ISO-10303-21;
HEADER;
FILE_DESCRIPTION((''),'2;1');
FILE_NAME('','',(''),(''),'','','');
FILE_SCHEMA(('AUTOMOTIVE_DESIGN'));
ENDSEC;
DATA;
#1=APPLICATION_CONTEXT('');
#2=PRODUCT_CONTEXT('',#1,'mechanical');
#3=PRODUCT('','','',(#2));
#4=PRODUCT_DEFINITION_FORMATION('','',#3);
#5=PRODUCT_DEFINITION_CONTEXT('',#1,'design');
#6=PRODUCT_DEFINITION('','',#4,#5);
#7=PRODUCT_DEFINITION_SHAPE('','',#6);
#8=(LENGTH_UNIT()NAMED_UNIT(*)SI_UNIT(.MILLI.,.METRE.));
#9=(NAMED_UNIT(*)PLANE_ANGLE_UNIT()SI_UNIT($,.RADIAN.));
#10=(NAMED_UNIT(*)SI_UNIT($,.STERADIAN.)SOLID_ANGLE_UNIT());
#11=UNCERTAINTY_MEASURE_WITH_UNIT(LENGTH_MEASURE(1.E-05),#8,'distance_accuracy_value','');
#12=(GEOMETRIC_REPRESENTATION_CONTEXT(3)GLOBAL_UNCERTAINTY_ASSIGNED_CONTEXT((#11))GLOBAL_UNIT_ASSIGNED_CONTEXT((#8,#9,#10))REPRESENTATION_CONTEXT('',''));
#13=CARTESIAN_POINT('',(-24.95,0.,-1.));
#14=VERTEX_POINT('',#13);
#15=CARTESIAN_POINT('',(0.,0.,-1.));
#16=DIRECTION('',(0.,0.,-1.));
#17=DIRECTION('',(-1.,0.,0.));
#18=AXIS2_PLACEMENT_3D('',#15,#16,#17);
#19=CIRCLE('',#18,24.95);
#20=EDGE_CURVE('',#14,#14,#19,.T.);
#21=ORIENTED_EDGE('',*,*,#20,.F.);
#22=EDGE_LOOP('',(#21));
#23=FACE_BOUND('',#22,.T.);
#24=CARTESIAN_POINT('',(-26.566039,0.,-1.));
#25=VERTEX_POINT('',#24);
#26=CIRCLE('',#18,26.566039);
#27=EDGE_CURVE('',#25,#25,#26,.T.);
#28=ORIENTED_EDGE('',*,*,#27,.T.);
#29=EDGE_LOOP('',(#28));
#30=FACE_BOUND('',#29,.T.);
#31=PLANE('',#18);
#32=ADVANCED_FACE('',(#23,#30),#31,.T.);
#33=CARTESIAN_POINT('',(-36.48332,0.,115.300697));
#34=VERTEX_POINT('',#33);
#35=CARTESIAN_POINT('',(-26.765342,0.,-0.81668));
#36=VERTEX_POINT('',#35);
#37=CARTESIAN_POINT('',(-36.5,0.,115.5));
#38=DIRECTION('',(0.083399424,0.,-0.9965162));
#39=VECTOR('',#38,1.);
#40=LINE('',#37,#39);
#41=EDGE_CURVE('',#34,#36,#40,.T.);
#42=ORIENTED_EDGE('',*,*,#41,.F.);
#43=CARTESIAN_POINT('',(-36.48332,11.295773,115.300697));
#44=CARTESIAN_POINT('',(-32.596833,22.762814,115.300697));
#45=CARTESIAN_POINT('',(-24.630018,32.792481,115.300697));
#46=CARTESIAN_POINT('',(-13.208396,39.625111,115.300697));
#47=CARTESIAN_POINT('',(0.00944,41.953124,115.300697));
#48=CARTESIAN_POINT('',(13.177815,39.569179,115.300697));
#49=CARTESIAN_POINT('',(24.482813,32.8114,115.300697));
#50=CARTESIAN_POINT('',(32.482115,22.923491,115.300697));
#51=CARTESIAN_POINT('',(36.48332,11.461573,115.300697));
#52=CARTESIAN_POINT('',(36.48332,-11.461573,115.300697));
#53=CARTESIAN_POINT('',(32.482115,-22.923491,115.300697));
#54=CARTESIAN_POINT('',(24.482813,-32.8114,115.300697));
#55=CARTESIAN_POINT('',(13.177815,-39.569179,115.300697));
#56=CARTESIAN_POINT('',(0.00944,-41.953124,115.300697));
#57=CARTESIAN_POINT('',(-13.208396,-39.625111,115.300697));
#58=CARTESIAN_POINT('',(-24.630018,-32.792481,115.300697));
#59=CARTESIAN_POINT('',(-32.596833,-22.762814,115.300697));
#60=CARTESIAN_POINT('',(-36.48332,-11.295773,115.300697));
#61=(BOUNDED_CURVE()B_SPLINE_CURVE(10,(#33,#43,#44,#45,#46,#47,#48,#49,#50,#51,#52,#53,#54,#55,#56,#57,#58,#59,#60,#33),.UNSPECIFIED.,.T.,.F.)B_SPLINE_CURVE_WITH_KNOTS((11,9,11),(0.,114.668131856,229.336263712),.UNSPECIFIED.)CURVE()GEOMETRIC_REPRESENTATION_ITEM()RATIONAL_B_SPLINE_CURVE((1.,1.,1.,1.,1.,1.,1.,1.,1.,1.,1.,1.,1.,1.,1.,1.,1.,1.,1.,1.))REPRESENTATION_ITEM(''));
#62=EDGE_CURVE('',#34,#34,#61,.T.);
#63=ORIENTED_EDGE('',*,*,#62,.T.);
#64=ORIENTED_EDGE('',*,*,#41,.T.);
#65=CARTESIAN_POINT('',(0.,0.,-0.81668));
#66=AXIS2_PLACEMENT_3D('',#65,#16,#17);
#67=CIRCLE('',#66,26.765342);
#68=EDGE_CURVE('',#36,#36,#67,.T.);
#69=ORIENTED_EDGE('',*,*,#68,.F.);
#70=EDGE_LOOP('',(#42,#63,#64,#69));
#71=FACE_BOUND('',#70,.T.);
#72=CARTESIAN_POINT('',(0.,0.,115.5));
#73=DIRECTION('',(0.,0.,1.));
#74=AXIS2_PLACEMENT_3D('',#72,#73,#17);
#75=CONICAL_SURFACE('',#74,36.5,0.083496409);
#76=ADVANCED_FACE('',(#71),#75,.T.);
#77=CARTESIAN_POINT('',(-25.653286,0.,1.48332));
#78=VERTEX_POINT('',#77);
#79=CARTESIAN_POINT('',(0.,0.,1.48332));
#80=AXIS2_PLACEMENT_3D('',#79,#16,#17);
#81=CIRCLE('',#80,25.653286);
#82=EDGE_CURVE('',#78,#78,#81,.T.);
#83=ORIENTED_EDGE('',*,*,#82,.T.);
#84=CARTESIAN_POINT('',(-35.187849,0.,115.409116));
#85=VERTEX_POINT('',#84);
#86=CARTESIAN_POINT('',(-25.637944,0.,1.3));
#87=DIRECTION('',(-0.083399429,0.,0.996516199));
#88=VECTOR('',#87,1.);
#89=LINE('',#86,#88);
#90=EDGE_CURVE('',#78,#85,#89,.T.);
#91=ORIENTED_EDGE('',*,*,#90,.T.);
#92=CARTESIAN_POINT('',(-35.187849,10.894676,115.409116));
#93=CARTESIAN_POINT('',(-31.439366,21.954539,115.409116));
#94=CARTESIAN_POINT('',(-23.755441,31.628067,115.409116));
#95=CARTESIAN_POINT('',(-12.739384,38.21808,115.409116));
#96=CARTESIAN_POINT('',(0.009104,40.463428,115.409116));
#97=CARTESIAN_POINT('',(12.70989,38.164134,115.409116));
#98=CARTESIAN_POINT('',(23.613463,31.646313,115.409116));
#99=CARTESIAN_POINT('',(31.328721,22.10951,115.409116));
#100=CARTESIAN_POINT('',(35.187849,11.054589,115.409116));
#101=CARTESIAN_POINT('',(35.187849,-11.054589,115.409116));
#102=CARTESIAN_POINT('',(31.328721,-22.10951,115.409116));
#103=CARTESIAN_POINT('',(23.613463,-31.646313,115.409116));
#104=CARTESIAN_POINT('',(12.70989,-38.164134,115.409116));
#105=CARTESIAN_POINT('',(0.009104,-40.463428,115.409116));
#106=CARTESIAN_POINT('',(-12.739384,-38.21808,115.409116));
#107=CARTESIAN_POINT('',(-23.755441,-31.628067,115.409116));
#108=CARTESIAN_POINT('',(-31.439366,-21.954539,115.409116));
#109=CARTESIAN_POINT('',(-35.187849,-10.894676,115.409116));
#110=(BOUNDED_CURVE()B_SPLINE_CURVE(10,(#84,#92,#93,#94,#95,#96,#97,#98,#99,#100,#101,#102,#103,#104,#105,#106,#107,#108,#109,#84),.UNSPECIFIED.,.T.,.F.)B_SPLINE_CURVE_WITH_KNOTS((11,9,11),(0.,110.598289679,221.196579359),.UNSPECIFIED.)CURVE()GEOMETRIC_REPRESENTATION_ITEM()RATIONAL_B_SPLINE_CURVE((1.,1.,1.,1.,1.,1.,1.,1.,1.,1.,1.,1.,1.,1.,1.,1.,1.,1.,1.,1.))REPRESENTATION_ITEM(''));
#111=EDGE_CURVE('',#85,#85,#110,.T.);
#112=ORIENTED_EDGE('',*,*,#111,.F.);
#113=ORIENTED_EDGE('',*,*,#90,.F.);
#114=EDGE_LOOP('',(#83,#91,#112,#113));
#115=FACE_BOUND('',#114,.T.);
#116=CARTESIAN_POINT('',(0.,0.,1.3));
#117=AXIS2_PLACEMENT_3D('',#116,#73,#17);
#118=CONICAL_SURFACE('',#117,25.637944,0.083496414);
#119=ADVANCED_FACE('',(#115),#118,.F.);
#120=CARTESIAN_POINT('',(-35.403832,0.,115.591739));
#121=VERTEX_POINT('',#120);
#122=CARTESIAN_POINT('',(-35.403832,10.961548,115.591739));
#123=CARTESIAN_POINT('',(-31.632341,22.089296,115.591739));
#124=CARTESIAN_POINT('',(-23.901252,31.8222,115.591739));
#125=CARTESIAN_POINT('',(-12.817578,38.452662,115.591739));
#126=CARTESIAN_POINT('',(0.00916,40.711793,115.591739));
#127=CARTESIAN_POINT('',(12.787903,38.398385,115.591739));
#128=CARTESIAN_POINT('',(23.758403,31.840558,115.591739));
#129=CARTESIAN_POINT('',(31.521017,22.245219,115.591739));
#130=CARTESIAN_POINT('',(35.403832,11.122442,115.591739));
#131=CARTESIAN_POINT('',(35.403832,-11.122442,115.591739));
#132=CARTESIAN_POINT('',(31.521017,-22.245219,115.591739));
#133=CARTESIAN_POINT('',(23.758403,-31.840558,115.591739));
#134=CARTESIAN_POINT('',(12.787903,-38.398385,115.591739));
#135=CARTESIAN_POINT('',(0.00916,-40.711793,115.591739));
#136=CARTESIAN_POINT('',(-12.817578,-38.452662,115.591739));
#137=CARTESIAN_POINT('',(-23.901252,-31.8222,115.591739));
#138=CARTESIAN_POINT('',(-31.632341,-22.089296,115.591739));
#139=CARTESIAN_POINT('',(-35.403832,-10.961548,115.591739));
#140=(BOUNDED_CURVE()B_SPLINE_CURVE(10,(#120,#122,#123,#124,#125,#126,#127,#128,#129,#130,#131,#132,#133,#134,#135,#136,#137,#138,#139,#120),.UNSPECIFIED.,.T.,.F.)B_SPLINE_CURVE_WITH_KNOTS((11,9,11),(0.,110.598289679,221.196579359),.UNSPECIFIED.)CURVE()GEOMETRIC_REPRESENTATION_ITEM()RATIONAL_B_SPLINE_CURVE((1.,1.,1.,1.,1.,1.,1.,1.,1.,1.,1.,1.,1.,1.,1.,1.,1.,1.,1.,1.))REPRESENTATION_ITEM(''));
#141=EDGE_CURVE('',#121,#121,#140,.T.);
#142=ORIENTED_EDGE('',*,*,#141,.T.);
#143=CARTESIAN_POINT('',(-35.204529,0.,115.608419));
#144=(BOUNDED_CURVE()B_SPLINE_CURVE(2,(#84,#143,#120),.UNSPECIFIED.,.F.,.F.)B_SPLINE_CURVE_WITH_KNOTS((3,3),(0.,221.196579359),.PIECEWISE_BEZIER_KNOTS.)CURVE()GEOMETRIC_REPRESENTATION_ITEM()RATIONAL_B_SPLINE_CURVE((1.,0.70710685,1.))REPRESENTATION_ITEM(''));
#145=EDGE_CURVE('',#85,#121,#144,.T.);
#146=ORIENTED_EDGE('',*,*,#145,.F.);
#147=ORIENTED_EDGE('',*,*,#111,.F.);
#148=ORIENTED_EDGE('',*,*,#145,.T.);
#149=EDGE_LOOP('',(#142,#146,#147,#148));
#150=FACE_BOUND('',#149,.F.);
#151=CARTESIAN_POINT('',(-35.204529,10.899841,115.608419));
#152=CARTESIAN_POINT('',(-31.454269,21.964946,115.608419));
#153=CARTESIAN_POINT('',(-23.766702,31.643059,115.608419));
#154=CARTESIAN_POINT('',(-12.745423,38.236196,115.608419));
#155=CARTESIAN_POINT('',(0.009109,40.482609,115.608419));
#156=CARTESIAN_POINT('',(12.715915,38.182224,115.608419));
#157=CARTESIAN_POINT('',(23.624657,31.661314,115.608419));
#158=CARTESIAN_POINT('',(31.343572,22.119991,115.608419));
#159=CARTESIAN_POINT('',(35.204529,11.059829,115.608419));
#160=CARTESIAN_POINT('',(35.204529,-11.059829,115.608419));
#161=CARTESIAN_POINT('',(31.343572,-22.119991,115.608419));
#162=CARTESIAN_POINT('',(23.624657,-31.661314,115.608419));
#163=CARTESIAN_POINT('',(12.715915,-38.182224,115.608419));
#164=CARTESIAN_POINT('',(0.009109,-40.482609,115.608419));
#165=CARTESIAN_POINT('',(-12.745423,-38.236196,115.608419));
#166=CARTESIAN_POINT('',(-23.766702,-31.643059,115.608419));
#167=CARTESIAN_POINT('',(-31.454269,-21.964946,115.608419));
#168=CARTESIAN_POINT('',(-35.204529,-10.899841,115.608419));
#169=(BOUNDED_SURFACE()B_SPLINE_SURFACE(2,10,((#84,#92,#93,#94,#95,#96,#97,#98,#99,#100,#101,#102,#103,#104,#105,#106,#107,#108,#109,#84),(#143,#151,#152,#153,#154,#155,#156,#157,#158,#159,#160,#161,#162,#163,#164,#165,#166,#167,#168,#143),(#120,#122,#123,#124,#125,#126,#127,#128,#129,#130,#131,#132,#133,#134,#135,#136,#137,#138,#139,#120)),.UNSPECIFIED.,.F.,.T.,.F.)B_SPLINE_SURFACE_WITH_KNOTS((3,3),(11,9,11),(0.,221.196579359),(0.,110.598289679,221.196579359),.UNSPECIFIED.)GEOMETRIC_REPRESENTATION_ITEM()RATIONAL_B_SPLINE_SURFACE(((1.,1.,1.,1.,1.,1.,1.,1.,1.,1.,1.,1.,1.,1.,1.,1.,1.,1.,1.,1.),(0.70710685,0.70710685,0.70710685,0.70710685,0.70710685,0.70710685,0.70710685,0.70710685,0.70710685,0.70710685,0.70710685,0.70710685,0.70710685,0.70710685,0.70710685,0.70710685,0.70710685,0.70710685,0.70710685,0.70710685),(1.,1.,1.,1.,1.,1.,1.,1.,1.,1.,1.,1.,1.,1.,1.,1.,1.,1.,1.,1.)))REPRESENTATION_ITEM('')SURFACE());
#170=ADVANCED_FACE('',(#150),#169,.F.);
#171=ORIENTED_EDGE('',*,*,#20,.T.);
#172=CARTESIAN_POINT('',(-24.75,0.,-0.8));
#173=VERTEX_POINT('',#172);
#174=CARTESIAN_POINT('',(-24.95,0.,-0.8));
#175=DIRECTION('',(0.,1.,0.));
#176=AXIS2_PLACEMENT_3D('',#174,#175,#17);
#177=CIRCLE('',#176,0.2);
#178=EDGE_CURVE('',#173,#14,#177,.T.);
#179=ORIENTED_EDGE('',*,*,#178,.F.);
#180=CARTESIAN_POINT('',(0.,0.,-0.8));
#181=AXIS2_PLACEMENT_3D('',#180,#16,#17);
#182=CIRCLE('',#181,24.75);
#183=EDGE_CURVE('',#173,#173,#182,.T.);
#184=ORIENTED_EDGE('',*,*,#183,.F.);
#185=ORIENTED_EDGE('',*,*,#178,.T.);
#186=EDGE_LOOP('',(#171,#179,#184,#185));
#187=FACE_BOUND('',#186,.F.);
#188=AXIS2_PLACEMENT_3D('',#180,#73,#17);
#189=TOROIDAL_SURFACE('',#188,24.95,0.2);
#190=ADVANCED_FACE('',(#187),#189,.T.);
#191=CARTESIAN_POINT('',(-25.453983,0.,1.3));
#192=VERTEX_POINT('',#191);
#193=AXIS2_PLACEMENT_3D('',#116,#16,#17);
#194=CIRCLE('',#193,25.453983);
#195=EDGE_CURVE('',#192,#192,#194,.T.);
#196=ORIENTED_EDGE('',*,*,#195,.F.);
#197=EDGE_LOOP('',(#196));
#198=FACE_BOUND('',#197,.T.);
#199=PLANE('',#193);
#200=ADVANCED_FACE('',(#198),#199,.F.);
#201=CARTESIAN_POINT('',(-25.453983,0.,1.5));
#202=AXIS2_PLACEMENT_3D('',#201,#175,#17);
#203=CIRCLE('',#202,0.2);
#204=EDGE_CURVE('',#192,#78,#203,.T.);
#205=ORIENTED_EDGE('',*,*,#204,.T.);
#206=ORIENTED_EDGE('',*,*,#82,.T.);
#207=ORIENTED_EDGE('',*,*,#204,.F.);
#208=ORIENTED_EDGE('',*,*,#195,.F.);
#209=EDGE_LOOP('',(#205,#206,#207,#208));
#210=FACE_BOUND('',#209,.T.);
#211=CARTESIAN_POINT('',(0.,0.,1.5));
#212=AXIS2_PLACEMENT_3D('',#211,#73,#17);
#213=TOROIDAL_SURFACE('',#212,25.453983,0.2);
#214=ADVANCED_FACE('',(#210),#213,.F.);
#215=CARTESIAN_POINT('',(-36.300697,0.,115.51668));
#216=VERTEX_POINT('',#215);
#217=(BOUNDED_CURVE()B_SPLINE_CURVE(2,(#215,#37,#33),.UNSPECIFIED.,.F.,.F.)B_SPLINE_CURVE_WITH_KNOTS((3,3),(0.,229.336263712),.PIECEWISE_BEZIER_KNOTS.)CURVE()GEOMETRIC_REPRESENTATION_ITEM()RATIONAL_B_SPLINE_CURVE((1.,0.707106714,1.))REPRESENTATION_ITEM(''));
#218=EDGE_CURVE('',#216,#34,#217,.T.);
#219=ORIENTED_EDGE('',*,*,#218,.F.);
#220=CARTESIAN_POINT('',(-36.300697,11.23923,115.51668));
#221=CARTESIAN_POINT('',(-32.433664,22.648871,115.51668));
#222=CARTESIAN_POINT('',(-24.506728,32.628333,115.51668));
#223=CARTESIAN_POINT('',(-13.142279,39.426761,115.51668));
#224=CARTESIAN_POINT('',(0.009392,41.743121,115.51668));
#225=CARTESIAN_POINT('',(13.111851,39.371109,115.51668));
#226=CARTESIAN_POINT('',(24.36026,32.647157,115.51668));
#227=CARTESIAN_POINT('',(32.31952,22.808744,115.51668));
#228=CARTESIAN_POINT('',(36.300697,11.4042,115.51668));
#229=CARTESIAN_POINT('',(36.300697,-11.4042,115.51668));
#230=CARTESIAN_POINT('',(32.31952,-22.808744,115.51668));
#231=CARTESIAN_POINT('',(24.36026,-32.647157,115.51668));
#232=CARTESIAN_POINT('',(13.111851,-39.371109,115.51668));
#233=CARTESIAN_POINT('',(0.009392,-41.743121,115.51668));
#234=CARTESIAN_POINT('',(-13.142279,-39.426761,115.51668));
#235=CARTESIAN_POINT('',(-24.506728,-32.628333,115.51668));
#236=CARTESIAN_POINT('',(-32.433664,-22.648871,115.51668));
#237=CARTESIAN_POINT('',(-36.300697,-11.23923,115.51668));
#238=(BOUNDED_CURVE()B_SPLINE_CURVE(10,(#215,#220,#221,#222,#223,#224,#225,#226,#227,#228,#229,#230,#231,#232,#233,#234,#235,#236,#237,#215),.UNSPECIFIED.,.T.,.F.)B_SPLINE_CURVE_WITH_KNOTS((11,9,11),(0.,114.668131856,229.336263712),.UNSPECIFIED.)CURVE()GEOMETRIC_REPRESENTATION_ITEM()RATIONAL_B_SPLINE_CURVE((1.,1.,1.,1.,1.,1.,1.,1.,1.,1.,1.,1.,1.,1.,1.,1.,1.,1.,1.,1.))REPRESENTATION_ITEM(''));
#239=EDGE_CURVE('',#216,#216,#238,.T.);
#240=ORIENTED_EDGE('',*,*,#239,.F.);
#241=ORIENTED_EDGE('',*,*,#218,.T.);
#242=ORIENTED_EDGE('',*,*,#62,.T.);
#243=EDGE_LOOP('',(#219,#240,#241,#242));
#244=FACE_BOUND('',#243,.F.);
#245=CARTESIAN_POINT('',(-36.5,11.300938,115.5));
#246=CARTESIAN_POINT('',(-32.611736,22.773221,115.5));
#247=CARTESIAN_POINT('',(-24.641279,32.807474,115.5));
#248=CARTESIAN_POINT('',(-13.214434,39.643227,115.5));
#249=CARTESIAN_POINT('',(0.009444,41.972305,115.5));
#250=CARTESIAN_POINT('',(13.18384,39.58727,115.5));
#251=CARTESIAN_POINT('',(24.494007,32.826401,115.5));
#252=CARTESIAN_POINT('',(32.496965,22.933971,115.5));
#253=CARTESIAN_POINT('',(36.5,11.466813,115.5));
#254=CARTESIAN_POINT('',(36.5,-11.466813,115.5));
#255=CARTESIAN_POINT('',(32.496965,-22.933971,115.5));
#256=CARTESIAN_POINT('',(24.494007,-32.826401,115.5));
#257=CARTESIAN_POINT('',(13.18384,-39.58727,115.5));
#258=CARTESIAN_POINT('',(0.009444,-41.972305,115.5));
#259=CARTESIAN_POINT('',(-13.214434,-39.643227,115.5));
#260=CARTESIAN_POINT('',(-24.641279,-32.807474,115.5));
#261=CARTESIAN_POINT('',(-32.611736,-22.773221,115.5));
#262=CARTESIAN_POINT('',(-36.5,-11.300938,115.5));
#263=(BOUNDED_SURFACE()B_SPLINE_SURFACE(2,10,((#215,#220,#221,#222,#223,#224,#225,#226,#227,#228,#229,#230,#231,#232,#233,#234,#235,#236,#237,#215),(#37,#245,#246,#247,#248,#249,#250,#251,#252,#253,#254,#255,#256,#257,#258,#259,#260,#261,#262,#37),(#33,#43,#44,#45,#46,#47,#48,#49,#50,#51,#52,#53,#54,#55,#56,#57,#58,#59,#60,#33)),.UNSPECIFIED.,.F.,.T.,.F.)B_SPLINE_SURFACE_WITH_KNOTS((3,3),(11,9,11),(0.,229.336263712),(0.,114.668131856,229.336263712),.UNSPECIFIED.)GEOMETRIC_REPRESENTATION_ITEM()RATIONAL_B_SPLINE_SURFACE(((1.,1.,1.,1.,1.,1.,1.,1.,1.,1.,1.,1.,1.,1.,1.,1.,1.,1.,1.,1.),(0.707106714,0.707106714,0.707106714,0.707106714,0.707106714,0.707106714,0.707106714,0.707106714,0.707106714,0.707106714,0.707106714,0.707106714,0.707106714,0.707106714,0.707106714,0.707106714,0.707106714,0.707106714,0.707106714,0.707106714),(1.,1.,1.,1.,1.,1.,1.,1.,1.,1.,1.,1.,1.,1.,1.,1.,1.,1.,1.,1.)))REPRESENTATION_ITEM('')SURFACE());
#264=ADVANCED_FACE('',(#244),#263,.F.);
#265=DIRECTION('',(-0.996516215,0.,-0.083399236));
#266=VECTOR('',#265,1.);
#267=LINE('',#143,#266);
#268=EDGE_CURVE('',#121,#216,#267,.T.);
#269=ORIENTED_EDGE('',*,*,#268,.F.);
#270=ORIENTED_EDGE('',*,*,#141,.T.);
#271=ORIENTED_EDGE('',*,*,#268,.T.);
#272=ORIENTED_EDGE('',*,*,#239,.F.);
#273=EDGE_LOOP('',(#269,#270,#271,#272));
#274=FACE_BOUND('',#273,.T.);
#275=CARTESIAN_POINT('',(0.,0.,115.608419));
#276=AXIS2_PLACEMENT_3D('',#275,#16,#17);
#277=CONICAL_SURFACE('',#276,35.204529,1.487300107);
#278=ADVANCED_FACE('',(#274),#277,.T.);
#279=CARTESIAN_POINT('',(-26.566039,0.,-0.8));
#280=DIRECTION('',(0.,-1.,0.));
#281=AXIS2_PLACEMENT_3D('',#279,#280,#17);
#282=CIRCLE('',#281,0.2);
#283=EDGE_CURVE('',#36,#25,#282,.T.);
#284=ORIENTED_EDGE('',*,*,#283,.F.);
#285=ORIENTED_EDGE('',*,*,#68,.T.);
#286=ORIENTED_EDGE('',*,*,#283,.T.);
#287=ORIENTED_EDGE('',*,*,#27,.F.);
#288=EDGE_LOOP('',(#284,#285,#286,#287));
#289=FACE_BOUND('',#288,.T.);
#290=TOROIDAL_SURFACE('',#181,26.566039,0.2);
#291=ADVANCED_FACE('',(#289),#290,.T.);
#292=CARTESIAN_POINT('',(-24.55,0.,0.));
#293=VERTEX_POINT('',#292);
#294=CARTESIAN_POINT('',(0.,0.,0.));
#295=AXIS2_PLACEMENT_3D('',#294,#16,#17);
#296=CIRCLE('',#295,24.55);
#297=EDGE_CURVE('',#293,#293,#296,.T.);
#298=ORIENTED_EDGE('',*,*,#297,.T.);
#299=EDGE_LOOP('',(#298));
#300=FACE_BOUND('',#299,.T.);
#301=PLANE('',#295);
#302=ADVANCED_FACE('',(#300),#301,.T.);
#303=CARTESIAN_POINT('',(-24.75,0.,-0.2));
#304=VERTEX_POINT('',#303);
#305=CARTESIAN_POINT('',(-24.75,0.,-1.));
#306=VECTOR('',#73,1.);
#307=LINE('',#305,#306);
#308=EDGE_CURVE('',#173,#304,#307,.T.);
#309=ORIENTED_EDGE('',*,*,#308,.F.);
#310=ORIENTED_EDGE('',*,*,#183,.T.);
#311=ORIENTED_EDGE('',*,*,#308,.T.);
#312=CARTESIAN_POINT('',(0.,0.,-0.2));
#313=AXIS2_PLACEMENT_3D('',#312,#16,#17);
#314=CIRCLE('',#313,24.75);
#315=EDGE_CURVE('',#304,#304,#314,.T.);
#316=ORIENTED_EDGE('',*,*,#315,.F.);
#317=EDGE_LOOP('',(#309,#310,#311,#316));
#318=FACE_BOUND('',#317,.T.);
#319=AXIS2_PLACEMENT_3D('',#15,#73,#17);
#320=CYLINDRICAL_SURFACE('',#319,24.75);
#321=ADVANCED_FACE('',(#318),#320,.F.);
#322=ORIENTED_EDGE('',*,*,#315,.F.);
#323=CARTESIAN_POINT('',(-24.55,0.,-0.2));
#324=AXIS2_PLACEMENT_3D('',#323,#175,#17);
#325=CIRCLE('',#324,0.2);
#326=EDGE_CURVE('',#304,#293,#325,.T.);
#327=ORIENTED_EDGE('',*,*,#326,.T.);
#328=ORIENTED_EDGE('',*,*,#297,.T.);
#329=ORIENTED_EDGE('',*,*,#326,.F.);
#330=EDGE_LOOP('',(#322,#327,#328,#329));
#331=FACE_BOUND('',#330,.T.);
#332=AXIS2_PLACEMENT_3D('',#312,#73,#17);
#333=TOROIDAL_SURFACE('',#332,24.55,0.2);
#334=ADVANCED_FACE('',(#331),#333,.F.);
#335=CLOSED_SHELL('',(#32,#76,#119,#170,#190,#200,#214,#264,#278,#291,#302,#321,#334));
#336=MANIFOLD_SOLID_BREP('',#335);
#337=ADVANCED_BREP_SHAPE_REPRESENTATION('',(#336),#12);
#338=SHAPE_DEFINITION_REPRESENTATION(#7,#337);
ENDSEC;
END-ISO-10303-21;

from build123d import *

# Parameters (mm, degrees)
F2_R = 0.2


with BuildPart() as f1:
    # F0 (on Front) → F1 (revolve)
    with BuildSketch(Plane.XZ):
        Polygon((-24.75, -1), (-24.75, 0), (0, 0), (0, 1.3), (-25.637944, 1.3), (-35.204529, 115.608419), (-36.5, 115.5), (-26.75, -1), align=None)
    revolve(axis=Axis((0, 0, 0.65), (0, 0, -1)))

    # F2
    f2_edges = [f1.edges().sort_by_distance(p)[0] for p in [
        (36.5, 0, 115.5),
        (35.204529, 0, 115.608419),
        (24.75, 0, 0),
        (24.75, 0, -1),
        (26.75, 0, -1),
        (25.637944, 0, 1.3),
    ]]
    fillet(f2_edges, radius=F2_R)


solid = f1.part
